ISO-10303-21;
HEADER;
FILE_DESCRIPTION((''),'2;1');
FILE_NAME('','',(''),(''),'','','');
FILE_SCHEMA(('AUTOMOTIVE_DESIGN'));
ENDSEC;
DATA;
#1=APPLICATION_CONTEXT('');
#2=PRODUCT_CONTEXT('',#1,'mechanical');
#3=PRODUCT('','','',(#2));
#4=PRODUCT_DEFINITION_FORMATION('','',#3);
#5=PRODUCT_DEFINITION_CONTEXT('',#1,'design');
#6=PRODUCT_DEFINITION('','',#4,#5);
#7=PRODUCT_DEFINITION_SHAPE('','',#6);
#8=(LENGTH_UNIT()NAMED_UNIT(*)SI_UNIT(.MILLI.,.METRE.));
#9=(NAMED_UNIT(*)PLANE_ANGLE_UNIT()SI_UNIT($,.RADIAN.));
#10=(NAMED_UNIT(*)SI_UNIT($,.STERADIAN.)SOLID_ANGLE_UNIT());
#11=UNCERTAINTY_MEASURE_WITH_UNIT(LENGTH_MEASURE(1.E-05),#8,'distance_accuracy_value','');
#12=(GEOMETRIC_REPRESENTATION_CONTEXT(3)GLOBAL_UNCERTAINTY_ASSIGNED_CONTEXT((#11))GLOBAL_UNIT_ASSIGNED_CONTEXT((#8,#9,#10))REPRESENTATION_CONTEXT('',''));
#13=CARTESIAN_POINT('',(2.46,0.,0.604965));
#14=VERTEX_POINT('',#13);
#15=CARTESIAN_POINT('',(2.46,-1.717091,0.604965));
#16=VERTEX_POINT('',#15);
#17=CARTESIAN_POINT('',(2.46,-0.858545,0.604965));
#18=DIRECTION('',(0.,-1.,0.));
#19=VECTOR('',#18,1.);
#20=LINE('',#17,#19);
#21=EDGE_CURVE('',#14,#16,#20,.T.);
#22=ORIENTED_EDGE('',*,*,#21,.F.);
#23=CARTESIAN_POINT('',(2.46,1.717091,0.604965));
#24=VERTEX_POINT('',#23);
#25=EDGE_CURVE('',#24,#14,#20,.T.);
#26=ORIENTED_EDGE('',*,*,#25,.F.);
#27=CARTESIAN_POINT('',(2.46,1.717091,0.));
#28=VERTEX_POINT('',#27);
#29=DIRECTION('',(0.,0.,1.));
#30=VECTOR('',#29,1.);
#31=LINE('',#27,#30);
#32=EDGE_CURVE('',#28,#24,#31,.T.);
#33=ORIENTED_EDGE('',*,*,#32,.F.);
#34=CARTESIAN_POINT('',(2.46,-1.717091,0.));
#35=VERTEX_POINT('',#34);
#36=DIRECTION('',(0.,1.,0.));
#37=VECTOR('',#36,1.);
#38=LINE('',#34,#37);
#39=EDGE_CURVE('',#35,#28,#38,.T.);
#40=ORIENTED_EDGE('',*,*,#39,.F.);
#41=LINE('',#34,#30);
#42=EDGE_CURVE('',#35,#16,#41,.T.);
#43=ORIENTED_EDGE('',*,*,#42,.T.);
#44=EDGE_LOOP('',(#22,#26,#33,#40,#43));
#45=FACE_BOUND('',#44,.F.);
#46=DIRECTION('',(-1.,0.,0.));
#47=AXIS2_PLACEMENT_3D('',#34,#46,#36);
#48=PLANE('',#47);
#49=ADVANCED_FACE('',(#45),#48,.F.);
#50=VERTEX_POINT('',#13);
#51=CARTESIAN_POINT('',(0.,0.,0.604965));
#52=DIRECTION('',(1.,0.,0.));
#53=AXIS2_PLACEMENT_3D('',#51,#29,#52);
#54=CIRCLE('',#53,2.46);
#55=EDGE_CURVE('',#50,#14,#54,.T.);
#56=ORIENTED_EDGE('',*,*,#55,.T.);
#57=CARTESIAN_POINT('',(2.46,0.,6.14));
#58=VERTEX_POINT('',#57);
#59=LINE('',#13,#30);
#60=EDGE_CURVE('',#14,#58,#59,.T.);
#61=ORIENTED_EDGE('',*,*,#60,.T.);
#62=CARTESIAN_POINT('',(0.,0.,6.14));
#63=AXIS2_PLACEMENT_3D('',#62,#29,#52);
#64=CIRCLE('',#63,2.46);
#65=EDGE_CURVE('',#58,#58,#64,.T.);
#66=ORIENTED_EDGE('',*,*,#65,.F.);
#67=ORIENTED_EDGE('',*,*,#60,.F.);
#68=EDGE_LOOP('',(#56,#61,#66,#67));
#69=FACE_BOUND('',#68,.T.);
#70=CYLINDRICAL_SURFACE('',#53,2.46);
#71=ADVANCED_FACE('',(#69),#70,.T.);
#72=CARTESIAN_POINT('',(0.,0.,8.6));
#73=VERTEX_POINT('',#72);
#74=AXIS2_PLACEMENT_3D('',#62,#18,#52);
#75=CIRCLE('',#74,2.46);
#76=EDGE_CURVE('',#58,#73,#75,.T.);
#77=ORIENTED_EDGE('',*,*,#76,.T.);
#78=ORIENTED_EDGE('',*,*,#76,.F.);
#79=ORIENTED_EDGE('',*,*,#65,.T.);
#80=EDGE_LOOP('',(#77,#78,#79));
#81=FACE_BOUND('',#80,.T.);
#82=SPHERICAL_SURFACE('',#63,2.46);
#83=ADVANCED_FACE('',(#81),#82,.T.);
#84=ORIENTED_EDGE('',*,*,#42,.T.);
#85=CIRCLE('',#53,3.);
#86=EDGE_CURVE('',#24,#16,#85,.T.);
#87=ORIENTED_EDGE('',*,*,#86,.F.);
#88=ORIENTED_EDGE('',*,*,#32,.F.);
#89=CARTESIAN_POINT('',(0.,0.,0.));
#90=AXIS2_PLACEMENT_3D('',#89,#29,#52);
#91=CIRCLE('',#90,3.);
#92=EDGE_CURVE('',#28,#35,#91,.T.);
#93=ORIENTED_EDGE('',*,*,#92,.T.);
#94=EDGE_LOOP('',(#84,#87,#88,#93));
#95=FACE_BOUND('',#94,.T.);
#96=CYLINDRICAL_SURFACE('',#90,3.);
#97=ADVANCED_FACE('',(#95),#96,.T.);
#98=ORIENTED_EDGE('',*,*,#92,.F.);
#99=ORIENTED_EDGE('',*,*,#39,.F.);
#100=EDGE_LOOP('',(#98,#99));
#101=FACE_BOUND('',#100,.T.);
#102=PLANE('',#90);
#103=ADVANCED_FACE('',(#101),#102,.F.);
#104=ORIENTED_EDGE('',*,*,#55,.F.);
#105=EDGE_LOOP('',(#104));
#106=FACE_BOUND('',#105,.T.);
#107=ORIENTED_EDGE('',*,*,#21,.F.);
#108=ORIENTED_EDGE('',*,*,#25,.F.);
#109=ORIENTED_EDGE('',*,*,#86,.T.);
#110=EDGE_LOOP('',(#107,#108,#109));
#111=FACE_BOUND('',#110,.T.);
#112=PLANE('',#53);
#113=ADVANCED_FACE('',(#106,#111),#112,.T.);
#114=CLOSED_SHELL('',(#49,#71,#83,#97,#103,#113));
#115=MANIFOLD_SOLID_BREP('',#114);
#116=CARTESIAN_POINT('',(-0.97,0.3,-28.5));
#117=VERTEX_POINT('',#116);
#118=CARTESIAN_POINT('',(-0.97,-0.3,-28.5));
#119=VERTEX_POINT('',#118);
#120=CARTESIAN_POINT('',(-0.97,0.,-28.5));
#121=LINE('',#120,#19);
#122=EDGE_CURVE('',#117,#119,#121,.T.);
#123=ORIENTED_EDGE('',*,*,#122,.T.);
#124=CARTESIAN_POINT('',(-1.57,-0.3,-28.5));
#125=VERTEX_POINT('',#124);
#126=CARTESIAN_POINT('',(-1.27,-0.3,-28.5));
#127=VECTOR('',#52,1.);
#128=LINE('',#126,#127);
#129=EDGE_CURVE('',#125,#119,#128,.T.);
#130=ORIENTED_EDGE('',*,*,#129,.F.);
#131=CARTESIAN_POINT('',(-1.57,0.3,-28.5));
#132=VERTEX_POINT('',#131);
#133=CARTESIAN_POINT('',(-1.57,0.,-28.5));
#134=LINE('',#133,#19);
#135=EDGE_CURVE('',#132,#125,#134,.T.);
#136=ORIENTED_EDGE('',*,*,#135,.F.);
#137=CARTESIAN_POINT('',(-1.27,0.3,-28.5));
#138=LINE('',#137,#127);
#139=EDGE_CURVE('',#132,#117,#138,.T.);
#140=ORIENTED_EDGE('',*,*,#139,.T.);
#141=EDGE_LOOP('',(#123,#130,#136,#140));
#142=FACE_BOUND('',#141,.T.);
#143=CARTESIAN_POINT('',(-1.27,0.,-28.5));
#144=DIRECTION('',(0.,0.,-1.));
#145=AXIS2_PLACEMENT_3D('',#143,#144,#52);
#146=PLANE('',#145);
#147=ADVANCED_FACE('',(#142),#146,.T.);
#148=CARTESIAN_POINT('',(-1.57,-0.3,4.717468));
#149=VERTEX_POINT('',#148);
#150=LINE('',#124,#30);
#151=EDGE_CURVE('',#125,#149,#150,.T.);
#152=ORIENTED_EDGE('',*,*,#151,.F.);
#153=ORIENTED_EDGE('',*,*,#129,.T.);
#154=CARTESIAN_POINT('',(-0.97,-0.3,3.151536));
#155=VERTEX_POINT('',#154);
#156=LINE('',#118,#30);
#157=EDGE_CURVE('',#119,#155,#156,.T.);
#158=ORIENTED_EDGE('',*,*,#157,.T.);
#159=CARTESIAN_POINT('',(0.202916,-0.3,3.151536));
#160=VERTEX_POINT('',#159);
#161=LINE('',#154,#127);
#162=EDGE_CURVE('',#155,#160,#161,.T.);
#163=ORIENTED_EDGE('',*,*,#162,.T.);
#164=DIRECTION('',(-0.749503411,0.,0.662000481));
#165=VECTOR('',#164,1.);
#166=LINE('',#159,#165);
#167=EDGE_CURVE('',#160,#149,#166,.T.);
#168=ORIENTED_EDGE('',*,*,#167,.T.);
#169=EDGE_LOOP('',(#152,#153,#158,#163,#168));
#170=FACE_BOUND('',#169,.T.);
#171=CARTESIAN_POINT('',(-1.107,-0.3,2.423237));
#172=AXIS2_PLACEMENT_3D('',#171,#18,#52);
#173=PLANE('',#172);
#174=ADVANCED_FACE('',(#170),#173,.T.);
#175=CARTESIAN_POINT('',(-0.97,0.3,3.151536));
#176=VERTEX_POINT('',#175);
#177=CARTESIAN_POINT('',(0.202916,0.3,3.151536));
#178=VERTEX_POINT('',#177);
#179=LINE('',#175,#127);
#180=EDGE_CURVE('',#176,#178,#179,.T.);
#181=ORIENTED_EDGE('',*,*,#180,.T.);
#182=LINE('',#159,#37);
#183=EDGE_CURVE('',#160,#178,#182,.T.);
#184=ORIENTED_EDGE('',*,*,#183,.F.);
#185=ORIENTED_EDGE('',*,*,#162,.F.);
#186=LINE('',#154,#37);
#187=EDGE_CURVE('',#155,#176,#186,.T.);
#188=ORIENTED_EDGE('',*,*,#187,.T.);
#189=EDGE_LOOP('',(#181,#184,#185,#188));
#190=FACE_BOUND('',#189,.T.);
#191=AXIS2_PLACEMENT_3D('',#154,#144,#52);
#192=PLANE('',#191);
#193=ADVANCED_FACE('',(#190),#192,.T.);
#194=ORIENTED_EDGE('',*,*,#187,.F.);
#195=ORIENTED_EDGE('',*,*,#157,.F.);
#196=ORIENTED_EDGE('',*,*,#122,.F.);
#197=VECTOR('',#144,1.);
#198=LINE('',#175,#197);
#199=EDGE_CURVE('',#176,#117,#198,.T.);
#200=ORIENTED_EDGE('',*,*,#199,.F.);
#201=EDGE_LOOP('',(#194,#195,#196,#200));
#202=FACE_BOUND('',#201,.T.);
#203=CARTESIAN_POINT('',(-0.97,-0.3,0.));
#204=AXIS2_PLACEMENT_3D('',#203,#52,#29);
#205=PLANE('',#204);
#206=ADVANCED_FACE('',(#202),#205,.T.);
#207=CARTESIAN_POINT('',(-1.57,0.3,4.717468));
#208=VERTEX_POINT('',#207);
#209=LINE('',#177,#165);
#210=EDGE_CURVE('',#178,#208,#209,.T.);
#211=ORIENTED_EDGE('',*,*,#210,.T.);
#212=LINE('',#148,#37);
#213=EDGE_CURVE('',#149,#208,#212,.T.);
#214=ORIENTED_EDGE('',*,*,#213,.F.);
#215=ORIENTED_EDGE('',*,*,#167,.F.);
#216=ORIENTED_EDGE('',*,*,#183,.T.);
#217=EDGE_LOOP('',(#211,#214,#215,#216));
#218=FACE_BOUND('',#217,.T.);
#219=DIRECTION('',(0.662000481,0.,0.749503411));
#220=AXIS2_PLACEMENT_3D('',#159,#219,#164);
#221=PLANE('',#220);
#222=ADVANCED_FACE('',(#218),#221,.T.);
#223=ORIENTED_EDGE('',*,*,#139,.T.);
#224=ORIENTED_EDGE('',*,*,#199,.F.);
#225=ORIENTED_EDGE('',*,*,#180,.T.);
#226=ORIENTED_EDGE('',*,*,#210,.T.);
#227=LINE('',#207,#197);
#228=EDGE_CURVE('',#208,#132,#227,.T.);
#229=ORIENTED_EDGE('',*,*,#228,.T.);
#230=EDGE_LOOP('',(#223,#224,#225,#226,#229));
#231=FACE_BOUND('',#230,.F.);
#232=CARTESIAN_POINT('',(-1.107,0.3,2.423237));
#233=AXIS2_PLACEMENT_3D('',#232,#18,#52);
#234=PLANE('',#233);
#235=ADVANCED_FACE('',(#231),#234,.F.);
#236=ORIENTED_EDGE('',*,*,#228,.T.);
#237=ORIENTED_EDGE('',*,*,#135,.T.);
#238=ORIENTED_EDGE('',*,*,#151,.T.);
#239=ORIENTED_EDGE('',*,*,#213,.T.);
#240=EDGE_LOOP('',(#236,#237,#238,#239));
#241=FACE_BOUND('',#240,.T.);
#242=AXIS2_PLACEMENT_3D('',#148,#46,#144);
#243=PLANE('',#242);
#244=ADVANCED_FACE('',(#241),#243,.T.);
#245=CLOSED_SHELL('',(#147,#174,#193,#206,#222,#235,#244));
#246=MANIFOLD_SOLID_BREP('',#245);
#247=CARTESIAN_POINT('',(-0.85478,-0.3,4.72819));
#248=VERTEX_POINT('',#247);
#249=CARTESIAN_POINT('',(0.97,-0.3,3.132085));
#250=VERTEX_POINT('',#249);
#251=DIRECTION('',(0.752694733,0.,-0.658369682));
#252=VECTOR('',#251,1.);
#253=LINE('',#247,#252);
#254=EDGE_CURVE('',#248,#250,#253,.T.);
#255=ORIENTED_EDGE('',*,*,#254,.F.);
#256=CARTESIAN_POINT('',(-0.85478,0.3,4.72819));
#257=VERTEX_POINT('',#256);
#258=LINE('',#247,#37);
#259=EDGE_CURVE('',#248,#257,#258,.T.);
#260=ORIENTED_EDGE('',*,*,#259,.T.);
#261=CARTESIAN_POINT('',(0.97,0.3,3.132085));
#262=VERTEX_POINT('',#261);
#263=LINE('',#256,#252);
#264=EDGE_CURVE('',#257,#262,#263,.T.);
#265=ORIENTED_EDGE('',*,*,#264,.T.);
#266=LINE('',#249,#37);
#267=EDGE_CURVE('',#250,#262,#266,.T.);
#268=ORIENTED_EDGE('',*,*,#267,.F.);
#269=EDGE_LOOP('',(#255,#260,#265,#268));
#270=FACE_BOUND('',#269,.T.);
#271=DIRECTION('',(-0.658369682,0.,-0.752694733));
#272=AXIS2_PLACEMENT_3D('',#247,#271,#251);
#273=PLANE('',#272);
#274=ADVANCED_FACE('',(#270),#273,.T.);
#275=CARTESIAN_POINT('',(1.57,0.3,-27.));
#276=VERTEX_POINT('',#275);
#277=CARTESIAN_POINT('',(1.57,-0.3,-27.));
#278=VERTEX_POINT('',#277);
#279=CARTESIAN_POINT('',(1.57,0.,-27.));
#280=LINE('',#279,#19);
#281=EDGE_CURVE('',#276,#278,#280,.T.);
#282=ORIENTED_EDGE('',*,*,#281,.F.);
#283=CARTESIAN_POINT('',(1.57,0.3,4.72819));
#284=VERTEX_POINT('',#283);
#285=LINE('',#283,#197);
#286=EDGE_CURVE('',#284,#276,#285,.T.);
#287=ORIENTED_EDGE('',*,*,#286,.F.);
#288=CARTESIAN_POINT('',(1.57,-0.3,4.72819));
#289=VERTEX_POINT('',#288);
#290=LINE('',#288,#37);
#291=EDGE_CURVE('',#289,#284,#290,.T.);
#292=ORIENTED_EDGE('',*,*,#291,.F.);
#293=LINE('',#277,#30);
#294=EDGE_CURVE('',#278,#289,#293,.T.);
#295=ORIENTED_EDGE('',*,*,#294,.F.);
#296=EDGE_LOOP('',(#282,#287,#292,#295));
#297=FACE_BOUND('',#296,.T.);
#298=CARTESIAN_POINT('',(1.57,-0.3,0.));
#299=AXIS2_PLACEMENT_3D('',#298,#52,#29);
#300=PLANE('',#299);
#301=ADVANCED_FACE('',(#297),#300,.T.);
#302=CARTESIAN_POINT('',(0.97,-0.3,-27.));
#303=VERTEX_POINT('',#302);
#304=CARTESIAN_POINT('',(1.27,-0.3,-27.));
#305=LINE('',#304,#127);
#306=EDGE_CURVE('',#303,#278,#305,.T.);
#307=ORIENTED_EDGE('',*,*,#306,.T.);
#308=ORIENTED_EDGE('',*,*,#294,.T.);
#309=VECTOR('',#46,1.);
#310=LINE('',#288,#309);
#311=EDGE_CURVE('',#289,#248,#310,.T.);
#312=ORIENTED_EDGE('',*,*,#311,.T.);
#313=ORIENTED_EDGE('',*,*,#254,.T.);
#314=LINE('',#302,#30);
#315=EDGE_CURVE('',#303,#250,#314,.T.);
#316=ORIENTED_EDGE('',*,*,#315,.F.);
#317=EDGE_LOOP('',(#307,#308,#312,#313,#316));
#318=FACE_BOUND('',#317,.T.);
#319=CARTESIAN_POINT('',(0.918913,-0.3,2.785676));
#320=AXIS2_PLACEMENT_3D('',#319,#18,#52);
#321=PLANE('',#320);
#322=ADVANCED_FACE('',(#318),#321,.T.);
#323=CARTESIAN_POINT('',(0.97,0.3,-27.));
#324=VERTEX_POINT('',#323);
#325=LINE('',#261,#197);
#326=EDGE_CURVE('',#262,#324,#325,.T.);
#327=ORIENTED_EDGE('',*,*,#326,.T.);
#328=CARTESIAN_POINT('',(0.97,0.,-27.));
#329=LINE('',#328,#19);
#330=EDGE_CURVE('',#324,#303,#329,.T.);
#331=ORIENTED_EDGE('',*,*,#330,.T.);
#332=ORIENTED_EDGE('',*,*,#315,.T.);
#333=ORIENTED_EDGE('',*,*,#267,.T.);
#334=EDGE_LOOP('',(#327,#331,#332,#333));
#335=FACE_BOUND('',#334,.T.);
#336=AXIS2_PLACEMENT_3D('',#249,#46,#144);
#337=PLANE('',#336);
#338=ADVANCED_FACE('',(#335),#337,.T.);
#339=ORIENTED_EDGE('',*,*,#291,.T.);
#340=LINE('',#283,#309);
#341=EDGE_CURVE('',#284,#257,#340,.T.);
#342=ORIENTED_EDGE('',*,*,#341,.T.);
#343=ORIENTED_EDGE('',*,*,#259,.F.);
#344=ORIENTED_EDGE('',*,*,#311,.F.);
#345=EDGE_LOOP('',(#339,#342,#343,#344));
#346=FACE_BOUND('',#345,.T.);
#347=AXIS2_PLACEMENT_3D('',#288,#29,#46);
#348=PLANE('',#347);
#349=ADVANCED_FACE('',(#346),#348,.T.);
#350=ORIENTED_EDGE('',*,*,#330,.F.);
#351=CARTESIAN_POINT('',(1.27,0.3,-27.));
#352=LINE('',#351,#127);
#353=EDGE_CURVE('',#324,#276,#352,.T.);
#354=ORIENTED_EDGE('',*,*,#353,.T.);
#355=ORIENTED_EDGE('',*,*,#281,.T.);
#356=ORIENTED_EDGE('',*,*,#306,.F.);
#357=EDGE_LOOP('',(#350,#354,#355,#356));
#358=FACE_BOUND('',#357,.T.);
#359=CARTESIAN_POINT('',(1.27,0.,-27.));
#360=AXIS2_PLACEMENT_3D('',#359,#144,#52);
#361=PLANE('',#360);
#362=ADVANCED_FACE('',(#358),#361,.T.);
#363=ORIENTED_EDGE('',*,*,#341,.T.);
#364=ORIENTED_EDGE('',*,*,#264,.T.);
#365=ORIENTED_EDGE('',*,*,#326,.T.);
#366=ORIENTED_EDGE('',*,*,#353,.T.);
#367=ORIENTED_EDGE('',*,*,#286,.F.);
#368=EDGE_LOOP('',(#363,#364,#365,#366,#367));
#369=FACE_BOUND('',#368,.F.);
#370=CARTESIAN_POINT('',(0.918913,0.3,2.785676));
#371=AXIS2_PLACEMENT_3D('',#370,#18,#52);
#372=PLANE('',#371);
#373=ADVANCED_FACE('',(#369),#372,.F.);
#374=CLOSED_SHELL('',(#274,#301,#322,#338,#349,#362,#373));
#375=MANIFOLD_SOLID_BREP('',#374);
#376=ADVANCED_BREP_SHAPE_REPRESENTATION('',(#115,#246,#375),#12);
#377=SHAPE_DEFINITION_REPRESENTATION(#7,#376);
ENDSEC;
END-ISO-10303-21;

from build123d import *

# Parameters (mm, degrees)
F3_DEPTH = 25.4
F2_W     = 0.6
F2_H     = 0.6
F4_DEPTH = 27
F5_DEPTH = 28.5
F7_DEPTH = 0.6
F9_DEPTH = 0.6


with BuildPart() as f1:
    # F0 (on Front) → F1 (revolve)
    with BuildSketch(Plane.XZ):
        with BuildLine():
            Line((0, 0.6049648509), (0, 0))
            Line((0, 0), (2.46, 0))
            Line((2.46, 0), (3, 0))
            Line((3, 0), (3, 0.6049648509))
            Line((3, 0.6049648509), (2.46, 0.6049648509))
            Line((2.46, 0.6049648509), (2.46, 6.14))
            ThreePointArc((2.46, 6.14), (1.7394826817, 7.8794826817), (0, 8.6))
            Line((0, 8.6), (0, 0.6049648509))
        make_face()
    revolve(axis=Axis((0, 0, 4.3), (0, 0, 1)))

    # F2 (on face) → F3 (cut)
    with BuildSketch(Plane(origin=(0, 0, 0), x_dir=(1, 0, 0), z_dir=(0, 0, -1))):
        with BuildLine():
            Line((2.46, 1.7170905626), (2.46, 0))
            Line((2.46, 0), (2.46, -1.7170905626))
            ThreePointArc((2.46, -1.7170905626), (2.8618176043, -0.9), (3, 0))
            ThreePointArc((3, 0), (2.8618176043, 0.9), (2.46, 1.7170905626))
        make_face()
    extrude(amount=-F3_DEPTH, mode=Mode.SUBTRACT)


with BuildPart() as f4:
    # F2 (on face) → F4 (new body)
    with BuildSketch(Plane(origin=(0, 0, 0), x_dir=(1, 0, 0), z_dir=(0, 0, -1))):
        with Locations((1.27, 0)):
            Rectangle(F2_W, F2_H)
    extrude(amount=F4_DEPTH)

    # F6 (on face) → F7 (join)
    with BuildSketch(Plane.XZ.offset(0.3)):
        Polygon((0.97, 3.1320848502), (0.97, 0), (1.57, 0), (1.57, 4.7281896695), (-0.8547797916, 4.7281896695), align=None)
    extrude(amount=-F7_DEPTH)


with BuildPart() as f5:
    # F2 (on face) → F5 (new body)
    with BuildSketch(Plane(origin=(0, 0, 0), x_dir=(1, 0, 0), z_dir=(0, 0, -1))):
        with Locations((-1.27, 0)):
            Rectangle(F2_W, F2_H)
    extrude(amount=F5_DEPTH)

    # F8 (on face) → F9 (join)
    with BuildSketch(Plane.XZ.offset(0.3)):
        Polygon((-1.57, 4.7174678184), (-1.57, 0), (-0.97, 0), (-0.97, 3.151535755), (0.2029162715, 3.151535755), align=None)
    extrude(amount=-F9_DEPTH)


solid = Compound([f1.part, f4.part, f5.part])
